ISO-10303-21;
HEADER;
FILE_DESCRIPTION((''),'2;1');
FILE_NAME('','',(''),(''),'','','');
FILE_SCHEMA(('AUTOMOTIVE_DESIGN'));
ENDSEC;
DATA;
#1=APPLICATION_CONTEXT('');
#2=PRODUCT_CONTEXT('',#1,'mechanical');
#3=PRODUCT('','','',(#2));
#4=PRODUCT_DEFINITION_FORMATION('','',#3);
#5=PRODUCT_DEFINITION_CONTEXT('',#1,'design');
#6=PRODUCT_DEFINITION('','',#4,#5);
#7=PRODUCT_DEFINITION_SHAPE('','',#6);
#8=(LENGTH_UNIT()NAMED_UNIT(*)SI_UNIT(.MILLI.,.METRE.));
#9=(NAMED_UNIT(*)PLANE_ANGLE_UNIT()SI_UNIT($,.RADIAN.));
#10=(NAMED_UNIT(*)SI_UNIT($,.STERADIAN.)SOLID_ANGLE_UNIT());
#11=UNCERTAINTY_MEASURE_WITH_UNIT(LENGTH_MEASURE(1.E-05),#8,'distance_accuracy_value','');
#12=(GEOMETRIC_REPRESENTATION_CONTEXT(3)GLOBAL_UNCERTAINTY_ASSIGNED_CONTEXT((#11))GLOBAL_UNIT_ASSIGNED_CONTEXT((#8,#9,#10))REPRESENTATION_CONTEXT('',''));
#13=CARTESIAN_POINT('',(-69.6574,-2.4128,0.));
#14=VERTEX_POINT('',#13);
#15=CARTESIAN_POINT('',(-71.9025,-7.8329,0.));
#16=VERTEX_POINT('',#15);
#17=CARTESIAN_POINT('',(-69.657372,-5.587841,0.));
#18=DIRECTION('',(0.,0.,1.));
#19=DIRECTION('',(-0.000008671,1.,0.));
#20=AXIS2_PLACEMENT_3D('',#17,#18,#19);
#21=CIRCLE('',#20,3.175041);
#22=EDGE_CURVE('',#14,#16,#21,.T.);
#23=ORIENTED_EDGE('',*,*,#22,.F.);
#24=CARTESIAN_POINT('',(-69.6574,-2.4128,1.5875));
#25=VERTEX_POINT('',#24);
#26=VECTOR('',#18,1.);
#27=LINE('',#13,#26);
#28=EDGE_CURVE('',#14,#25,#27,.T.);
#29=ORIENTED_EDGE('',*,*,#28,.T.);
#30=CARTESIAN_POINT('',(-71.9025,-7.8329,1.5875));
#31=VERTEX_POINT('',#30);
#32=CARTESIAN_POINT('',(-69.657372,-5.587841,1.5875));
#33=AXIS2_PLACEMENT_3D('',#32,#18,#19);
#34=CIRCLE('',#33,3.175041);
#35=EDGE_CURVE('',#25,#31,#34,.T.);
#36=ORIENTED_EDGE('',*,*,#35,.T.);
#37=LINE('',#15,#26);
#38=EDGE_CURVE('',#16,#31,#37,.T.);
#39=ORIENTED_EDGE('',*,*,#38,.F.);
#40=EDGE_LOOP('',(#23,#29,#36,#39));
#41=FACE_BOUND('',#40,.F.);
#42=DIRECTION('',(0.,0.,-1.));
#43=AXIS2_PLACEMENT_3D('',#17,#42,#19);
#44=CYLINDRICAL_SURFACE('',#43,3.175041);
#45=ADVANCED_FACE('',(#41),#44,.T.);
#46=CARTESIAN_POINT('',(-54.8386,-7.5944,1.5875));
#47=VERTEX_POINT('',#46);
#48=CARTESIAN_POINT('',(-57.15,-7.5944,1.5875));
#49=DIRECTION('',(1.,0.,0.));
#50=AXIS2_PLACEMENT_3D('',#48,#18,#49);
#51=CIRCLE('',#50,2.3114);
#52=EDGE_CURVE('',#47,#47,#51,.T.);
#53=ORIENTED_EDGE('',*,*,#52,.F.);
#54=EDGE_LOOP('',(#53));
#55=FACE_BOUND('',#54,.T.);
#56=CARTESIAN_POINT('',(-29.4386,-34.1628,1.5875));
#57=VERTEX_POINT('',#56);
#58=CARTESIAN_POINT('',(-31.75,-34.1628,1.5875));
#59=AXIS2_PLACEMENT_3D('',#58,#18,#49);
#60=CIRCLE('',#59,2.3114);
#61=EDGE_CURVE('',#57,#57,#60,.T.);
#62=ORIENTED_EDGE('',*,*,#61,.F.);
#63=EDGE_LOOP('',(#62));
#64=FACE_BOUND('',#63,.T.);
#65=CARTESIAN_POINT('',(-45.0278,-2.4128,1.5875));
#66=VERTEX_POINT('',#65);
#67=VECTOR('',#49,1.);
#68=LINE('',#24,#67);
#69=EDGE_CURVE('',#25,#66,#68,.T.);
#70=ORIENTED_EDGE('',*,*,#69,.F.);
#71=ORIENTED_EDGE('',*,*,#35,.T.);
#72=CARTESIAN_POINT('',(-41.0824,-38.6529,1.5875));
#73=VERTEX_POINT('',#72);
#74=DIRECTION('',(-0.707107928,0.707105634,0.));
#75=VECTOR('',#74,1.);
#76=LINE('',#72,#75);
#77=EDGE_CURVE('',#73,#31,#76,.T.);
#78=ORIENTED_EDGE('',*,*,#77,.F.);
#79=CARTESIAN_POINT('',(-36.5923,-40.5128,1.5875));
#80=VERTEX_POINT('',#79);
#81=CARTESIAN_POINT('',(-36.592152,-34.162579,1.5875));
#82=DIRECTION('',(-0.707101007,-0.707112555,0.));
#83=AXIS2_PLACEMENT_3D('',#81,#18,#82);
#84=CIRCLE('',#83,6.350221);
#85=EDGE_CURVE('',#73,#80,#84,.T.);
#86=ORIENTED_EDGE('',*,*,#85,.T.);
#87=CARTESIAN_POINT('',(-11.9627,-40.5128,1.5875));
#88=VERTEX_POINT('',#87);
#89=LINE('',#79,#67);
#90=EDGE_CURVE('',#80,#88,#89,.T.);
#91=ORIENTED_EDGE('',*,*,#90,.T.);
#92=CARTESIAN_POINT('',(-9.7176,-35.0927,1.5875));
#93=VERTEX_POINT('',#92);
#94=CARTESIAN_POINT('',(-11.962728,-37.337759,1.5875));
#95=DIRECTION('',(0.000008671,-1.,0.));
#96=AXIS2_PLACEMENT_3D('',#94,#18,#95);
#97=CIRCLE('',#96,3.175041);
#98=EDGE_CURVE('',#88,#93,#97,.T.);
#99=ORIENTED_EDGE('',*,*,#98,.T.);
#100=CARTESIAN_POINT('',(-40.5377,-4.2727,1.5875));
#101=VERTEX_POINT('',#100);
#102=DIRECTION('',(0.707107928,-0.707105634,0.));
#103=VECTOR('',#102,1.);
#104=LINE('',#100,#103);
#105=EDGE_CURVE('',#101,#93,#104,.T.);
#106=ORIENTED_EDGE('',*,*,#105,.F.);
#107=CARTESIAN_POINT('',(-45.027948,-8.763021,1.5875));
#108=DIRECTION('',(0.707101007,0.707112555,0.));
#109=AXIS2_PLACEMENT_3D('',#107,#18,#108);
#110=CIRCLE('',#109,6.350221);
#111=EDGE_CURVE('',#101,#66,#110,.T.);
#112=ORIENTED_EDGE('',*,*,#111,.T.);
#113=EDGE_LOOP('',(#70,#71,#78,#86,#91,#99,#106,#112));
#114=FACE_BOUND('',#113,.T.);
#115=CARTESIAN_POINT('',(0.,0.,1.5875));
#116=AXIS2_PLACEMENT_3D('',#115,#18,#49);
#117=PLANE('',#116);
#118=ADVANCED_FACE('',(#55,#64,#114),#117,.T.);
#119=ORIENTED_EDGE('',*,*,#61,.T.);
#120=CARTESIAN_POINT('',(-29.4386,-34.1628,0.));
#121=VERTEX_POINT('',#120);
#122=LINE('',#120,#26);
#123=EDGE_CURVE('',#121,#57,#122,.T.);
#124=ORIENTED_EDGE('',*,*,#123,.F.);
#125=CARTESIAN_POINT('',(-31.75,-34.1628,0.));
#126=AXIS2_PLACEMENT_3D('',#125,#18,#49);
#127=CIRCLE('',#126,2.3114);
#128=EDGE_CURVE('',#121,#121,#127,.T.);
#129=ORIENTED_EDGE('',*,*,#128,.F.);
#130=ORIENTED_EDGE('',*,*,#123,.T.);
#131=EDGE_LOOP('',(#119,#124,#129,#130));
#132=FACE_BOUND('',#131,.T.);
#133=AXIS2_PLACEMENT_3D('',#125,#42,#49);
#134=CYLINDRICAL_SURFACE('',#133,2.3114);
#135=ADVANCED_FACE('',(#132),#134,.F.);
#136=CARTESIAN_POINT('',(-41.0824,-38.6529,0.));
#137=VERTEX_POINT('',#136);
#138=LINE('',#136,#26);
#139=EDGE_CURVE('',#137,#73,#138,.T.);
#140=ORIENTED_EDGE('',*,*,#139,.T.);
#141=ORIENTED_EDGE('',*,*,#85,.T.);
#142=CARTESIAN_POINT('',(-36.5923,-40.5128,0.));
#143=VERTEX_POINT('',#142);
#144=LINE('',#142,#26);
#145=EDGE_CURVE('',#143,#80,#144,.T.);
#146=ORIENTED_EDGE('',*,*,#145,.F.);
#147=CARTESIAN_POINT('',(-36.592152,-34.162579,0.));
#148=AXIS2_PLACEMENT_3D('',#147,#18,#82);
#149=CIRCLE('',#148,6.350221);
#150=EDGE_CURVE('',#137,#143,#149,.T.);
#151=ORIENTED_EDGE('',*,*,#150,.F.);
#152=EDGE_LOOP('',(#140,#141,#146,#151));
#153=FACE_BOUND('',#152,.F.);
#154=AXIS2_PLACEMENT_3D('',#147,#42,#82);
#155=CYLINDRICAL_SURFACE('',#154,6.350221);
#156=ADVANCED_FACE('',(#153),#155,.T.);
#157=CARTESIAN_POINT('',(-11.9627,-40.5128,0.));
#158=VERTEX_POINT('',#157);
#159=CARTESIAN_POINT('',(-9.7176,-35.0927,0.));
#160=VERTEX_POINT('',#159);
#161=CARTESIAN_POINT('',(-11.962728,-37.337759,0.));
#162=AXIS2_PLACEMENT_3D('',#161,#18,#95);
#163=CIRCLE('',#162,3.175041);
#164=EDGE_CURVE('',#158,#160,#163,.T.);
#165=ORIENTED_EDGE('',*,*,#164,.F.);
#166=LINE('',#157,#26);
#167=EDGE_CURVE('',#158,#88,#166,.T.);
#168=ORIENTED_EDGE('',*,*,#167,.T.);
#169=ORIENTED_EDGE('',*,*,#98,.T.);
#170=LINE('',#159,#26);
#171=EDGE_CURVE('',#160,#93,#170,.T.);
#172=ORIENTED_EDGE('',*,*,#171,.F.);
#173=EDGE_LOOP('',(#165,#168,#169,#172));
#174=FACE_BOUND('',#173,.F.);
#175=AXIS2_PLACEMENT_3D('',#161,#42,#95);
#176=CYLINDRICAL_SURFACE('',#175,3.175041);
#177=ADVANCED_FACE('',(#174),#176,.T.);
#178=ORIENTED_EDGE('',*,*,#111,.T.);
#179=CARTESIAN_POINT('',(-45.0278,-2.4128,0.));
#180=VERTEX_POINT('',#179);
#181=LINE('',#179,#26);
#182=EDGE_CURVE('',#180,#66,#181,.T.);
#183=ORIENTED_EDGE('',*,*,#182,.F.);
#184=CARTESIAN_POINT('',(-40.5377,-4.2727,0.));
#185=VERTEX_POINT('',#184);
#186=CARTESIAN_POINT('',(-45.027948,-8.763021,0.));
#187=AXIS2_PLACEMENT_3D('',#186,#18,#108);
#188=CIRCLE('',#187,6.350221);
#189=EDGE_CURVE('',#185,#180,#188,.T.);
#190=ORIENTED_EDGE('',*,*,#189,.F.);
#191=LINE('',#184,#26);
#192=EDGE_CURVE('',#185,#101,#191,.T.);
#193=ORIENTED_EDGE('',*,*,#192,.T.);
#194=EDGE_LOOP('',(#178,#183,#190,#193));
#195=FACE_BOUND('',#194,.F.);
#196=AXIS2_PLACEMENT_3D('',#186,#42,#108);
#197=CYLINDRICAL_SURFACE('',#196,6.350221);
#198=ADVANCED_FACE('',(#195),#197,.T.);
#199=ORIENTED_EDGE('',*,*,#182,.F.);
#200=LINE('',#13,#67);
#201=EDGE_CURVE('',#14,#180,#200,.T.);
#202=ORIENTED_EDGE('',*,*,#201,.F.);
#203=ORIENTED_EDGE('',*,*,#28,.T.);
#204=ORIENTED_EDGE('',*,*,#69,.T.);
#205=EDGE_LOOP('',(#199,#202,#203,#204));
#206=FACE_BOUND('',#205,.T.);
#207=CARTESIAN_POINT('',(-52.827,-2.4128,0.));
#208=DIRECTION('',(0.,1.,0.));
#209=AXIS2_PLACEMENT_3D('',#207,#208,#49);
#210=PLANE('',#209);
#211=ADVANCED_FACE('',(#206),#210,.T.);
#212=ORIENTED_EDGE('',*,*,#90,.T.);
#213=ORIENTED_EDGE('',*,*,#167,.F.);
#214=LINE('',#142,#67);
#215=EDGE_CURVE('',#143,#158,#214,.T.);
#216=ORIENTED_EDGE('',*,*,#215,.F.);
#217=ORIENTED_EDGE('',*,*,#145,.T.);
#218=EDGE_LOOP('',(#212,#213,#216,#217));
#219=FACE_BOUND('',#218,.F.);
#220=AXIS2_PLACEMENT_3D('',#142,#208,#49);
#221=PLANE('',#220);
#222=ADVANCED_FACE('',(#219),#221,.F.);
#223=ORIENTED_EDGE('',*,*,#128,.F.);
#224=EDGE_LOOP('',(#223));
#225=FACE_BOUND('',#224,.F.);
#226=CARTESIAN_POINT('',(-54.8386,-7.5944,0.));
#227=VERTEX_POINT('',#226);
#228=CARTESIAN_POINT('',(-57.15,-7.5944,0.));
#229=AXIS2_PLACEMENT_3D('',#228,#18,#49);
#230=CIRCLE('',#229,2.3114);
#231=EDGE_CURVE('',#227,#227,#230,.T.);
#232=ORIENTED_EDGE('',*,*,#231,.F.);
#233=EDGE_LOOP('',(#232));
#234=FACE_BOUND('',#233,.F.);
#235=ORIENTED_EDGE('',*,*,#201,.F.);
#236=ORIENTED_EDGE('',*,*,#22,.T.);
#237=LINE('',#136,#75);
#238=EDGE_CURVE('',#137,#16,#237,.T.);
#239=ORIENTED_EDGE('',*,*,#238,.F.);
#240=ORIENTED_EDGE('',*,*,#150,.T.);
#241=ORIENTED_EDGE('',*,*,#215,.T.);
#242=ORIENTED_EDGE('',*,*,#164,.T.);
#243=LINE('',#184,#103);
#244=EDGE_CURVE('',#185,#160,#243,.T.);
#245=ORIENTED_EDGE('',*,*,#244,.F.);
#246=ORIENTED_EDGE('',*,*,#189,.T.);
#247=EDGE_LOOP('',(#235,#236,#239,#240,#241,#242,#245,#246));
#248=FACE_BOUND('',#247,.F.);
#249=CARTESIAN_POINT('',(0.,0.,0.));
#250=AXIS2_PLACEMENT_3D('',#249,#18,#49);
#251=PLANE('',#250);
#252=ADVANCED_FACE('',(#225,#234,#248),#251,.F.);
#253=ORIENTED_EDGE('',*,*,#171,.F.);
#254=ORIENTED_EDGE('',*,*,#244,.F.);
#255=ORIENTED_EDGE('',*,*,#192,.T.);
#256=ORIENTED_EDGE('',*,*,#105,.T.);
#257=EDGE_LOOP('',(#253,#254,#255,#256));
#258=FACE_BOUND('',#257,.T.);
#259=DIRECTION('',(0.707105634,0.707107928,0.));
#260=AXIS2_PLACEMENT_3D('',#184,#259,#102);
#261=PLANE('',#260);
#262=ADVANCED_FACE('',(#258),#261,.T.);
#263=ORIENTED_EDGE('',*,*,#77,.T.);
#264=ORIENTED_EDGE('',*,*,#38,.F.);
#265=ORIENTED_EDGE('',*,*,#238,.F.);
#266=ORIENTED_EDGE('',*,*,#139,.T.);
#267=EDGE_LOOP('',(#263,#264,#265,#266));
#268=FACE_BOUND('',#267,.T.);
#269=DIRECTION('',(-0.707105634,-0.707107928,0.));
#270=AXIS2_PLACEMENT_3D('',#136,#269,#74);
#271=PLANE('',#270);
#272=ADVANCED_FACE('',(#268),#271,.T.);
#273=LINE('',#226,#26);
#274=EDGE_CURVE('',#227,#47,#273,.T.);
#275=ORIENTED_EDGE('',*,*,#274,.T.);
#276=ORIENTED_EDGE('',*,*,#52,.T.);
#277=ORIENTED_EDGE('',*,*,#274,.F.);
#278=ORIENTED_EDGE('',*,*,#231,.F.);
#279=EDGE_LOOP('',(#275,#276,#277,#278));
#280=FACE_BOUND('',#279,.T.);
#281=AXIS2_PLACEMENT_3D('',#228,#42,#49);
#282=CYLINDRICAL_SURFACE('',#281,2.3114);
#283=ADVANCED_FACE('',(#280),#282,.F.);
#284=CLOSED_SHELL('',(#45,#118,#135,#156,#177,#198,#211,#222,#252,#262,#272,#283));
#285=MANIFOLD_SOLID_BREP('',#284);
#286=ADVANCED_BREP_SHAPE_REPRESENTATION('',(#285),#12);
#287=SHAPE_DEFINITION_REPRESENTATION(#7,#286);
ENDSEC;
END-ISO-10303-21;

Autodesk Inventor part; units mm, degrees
ref_plane "YZ Plane" through (0, 0, 0) normal (1, 0, 0) x (0, 1, 0)
ref_plane "XZ Plane" through (0, 0, 0) normal (0, 1, 0) x (-1, 0, 0)
ref_plane "XY Plane" through (0, 0, 0) normal (0, 0, 1) x (1, 0, 0)
sketch "Sketch2" plane through (0, 0, 0) normal (0, 0, 1) x (1, 0, 0)
  circle A0 centre (-57.15, -7.5944) radius 2.3114 projected
  circle A1 centre (-44.45, -7.5944) radius 2.3114 projected
  circle A2 centre (-31.75, -34.1628) radius 2.3114 projected
  circle A3 centre (0.0154, -27.8287) radius 41.275 construction
  line L0 (-52.827, -2.4128) -> (-63.5, -2.4128) projected
  line L1 (-41.0824, -38.6529) -> (-71.9025, -7.8329)
  circle A4 centre (-63.5, -15.1128) radius 0.7938 construction
  circle A5 centre (-38.1, -40.5128) radius 0.7937 construction
  line L2 (-36.5923, -40.5128) -> (-11.9627, -40.5128)
  line L3 (-69.6574, -2.4128) -> (-45.0278, -2.4128)
  line L4 (-40.5377, -4.2727) -> (-9.7176, -35.0927)
  arc A6 (-69.6574, -2.4128) -> (-71.9025, -7.8329) centre (-69.6574, -5.5878) ccw
  arc A7 (-11.9627, -40.5128) -> (-9.7176, -35.0927) centre (-11.9627, -37.3378) ccw
  arc A8 (-40.5377, -4.2727) -> (-45.0278, -2.4128) centre (-45.0278, -8.7628) ccw
  arc A9 (-41.0824, -38.6529) -> (-36.5923, -40.5128) centre (-36.5923, -34.1628) ccw
  point P0 (-39.2225, -40.5128)
  point P1 (-77.3225, -2.4128)
  point P2 (-4.2975, -40.5128)
  point P3 (-42.3975, -2.4128)
  dimension "d19" = 1.5875
  dimension "d20" = 1.5875
  dimension "d21" = 34.925
  dimension "d22" = 34.925
  dimension "d23" = 3.175
  dimension "d24" = 6.35
  dimension "d25" = 6.35
  dimension "d28" = 82.55
  dimension "d29" = 38.1
  dimension "d30" = 25.4159
  dimension "d31" = 0
  dimension "d32" = 0
  dimension "d33" = 12.0187
  dimension "d34" = 7.3747
  dimension "d35" = 14.9217
extrude "Extrusion2" add sketch "Sketch2" along normal blind 1.5875 contours A1 | L3 A8 L4 A7 L2 A9 L1 A6 L0
sketch "Sketch3" plane through (0, 0, 1.5875) normal (0, 0, 1) x (1, 0, 0)
  line L0 (-71.9025, -7.8329) -> (-41.0824, -38.6529)
  arc A0 (-41.0824, -38.6529) -> (-36.5923, -40.5128) centre (-36.5923, -34.1628) ccw
  line L1 (-36.5923, -40.5128) -> (-11.9627, -40.5128)
  arc A1 (-11.9627, -40.5128) -> (-9.7176, -35.0927) centre (-11.9627, -37.3378) ccw
  line L2 (-9.7176, -35.0927) -> (-40.5377, -4.2727)
  arc A2 (-40.5377, -4.2727) -> (-45.0278, -2.4128) centre (-45.0278, -8.7628) ccw
  line L3 (-45.0278, -2.4128) -> (-69.6574, -2.4128)
  arc A3 (-69.6574, -2.4128) -> (-71.9025, -7.8329) centre (-69.6574, -5.5878) ccw
  circle A4 centre (-31.75, -34.1628) radius 2.3114
  circle A5 centre (-57.15, -7.5944) radius 2.3114
  point P0 (0, 0)
equation "\"BendRadius\" = Thickness"
equation "\"BendReliefWidth\" = Thickness"
equation "\"BendReliefDepth\" = 0.5 * Thickness"
equation "\"CornerReliefSize\" = 4 * Thickness"
equation "\"MinimumRemnant\" = 2 * Thickness"
equation "\"TransitionRadius\" = BendRadius"
equation "\"JacobiRadiusSize\" = BendRadius"
equation "\"GapSize\" = Thickness"
equation "\"Thickness\" = 1.5875"
properties part number "chrissled" material "Polycarbonate, Clear"
